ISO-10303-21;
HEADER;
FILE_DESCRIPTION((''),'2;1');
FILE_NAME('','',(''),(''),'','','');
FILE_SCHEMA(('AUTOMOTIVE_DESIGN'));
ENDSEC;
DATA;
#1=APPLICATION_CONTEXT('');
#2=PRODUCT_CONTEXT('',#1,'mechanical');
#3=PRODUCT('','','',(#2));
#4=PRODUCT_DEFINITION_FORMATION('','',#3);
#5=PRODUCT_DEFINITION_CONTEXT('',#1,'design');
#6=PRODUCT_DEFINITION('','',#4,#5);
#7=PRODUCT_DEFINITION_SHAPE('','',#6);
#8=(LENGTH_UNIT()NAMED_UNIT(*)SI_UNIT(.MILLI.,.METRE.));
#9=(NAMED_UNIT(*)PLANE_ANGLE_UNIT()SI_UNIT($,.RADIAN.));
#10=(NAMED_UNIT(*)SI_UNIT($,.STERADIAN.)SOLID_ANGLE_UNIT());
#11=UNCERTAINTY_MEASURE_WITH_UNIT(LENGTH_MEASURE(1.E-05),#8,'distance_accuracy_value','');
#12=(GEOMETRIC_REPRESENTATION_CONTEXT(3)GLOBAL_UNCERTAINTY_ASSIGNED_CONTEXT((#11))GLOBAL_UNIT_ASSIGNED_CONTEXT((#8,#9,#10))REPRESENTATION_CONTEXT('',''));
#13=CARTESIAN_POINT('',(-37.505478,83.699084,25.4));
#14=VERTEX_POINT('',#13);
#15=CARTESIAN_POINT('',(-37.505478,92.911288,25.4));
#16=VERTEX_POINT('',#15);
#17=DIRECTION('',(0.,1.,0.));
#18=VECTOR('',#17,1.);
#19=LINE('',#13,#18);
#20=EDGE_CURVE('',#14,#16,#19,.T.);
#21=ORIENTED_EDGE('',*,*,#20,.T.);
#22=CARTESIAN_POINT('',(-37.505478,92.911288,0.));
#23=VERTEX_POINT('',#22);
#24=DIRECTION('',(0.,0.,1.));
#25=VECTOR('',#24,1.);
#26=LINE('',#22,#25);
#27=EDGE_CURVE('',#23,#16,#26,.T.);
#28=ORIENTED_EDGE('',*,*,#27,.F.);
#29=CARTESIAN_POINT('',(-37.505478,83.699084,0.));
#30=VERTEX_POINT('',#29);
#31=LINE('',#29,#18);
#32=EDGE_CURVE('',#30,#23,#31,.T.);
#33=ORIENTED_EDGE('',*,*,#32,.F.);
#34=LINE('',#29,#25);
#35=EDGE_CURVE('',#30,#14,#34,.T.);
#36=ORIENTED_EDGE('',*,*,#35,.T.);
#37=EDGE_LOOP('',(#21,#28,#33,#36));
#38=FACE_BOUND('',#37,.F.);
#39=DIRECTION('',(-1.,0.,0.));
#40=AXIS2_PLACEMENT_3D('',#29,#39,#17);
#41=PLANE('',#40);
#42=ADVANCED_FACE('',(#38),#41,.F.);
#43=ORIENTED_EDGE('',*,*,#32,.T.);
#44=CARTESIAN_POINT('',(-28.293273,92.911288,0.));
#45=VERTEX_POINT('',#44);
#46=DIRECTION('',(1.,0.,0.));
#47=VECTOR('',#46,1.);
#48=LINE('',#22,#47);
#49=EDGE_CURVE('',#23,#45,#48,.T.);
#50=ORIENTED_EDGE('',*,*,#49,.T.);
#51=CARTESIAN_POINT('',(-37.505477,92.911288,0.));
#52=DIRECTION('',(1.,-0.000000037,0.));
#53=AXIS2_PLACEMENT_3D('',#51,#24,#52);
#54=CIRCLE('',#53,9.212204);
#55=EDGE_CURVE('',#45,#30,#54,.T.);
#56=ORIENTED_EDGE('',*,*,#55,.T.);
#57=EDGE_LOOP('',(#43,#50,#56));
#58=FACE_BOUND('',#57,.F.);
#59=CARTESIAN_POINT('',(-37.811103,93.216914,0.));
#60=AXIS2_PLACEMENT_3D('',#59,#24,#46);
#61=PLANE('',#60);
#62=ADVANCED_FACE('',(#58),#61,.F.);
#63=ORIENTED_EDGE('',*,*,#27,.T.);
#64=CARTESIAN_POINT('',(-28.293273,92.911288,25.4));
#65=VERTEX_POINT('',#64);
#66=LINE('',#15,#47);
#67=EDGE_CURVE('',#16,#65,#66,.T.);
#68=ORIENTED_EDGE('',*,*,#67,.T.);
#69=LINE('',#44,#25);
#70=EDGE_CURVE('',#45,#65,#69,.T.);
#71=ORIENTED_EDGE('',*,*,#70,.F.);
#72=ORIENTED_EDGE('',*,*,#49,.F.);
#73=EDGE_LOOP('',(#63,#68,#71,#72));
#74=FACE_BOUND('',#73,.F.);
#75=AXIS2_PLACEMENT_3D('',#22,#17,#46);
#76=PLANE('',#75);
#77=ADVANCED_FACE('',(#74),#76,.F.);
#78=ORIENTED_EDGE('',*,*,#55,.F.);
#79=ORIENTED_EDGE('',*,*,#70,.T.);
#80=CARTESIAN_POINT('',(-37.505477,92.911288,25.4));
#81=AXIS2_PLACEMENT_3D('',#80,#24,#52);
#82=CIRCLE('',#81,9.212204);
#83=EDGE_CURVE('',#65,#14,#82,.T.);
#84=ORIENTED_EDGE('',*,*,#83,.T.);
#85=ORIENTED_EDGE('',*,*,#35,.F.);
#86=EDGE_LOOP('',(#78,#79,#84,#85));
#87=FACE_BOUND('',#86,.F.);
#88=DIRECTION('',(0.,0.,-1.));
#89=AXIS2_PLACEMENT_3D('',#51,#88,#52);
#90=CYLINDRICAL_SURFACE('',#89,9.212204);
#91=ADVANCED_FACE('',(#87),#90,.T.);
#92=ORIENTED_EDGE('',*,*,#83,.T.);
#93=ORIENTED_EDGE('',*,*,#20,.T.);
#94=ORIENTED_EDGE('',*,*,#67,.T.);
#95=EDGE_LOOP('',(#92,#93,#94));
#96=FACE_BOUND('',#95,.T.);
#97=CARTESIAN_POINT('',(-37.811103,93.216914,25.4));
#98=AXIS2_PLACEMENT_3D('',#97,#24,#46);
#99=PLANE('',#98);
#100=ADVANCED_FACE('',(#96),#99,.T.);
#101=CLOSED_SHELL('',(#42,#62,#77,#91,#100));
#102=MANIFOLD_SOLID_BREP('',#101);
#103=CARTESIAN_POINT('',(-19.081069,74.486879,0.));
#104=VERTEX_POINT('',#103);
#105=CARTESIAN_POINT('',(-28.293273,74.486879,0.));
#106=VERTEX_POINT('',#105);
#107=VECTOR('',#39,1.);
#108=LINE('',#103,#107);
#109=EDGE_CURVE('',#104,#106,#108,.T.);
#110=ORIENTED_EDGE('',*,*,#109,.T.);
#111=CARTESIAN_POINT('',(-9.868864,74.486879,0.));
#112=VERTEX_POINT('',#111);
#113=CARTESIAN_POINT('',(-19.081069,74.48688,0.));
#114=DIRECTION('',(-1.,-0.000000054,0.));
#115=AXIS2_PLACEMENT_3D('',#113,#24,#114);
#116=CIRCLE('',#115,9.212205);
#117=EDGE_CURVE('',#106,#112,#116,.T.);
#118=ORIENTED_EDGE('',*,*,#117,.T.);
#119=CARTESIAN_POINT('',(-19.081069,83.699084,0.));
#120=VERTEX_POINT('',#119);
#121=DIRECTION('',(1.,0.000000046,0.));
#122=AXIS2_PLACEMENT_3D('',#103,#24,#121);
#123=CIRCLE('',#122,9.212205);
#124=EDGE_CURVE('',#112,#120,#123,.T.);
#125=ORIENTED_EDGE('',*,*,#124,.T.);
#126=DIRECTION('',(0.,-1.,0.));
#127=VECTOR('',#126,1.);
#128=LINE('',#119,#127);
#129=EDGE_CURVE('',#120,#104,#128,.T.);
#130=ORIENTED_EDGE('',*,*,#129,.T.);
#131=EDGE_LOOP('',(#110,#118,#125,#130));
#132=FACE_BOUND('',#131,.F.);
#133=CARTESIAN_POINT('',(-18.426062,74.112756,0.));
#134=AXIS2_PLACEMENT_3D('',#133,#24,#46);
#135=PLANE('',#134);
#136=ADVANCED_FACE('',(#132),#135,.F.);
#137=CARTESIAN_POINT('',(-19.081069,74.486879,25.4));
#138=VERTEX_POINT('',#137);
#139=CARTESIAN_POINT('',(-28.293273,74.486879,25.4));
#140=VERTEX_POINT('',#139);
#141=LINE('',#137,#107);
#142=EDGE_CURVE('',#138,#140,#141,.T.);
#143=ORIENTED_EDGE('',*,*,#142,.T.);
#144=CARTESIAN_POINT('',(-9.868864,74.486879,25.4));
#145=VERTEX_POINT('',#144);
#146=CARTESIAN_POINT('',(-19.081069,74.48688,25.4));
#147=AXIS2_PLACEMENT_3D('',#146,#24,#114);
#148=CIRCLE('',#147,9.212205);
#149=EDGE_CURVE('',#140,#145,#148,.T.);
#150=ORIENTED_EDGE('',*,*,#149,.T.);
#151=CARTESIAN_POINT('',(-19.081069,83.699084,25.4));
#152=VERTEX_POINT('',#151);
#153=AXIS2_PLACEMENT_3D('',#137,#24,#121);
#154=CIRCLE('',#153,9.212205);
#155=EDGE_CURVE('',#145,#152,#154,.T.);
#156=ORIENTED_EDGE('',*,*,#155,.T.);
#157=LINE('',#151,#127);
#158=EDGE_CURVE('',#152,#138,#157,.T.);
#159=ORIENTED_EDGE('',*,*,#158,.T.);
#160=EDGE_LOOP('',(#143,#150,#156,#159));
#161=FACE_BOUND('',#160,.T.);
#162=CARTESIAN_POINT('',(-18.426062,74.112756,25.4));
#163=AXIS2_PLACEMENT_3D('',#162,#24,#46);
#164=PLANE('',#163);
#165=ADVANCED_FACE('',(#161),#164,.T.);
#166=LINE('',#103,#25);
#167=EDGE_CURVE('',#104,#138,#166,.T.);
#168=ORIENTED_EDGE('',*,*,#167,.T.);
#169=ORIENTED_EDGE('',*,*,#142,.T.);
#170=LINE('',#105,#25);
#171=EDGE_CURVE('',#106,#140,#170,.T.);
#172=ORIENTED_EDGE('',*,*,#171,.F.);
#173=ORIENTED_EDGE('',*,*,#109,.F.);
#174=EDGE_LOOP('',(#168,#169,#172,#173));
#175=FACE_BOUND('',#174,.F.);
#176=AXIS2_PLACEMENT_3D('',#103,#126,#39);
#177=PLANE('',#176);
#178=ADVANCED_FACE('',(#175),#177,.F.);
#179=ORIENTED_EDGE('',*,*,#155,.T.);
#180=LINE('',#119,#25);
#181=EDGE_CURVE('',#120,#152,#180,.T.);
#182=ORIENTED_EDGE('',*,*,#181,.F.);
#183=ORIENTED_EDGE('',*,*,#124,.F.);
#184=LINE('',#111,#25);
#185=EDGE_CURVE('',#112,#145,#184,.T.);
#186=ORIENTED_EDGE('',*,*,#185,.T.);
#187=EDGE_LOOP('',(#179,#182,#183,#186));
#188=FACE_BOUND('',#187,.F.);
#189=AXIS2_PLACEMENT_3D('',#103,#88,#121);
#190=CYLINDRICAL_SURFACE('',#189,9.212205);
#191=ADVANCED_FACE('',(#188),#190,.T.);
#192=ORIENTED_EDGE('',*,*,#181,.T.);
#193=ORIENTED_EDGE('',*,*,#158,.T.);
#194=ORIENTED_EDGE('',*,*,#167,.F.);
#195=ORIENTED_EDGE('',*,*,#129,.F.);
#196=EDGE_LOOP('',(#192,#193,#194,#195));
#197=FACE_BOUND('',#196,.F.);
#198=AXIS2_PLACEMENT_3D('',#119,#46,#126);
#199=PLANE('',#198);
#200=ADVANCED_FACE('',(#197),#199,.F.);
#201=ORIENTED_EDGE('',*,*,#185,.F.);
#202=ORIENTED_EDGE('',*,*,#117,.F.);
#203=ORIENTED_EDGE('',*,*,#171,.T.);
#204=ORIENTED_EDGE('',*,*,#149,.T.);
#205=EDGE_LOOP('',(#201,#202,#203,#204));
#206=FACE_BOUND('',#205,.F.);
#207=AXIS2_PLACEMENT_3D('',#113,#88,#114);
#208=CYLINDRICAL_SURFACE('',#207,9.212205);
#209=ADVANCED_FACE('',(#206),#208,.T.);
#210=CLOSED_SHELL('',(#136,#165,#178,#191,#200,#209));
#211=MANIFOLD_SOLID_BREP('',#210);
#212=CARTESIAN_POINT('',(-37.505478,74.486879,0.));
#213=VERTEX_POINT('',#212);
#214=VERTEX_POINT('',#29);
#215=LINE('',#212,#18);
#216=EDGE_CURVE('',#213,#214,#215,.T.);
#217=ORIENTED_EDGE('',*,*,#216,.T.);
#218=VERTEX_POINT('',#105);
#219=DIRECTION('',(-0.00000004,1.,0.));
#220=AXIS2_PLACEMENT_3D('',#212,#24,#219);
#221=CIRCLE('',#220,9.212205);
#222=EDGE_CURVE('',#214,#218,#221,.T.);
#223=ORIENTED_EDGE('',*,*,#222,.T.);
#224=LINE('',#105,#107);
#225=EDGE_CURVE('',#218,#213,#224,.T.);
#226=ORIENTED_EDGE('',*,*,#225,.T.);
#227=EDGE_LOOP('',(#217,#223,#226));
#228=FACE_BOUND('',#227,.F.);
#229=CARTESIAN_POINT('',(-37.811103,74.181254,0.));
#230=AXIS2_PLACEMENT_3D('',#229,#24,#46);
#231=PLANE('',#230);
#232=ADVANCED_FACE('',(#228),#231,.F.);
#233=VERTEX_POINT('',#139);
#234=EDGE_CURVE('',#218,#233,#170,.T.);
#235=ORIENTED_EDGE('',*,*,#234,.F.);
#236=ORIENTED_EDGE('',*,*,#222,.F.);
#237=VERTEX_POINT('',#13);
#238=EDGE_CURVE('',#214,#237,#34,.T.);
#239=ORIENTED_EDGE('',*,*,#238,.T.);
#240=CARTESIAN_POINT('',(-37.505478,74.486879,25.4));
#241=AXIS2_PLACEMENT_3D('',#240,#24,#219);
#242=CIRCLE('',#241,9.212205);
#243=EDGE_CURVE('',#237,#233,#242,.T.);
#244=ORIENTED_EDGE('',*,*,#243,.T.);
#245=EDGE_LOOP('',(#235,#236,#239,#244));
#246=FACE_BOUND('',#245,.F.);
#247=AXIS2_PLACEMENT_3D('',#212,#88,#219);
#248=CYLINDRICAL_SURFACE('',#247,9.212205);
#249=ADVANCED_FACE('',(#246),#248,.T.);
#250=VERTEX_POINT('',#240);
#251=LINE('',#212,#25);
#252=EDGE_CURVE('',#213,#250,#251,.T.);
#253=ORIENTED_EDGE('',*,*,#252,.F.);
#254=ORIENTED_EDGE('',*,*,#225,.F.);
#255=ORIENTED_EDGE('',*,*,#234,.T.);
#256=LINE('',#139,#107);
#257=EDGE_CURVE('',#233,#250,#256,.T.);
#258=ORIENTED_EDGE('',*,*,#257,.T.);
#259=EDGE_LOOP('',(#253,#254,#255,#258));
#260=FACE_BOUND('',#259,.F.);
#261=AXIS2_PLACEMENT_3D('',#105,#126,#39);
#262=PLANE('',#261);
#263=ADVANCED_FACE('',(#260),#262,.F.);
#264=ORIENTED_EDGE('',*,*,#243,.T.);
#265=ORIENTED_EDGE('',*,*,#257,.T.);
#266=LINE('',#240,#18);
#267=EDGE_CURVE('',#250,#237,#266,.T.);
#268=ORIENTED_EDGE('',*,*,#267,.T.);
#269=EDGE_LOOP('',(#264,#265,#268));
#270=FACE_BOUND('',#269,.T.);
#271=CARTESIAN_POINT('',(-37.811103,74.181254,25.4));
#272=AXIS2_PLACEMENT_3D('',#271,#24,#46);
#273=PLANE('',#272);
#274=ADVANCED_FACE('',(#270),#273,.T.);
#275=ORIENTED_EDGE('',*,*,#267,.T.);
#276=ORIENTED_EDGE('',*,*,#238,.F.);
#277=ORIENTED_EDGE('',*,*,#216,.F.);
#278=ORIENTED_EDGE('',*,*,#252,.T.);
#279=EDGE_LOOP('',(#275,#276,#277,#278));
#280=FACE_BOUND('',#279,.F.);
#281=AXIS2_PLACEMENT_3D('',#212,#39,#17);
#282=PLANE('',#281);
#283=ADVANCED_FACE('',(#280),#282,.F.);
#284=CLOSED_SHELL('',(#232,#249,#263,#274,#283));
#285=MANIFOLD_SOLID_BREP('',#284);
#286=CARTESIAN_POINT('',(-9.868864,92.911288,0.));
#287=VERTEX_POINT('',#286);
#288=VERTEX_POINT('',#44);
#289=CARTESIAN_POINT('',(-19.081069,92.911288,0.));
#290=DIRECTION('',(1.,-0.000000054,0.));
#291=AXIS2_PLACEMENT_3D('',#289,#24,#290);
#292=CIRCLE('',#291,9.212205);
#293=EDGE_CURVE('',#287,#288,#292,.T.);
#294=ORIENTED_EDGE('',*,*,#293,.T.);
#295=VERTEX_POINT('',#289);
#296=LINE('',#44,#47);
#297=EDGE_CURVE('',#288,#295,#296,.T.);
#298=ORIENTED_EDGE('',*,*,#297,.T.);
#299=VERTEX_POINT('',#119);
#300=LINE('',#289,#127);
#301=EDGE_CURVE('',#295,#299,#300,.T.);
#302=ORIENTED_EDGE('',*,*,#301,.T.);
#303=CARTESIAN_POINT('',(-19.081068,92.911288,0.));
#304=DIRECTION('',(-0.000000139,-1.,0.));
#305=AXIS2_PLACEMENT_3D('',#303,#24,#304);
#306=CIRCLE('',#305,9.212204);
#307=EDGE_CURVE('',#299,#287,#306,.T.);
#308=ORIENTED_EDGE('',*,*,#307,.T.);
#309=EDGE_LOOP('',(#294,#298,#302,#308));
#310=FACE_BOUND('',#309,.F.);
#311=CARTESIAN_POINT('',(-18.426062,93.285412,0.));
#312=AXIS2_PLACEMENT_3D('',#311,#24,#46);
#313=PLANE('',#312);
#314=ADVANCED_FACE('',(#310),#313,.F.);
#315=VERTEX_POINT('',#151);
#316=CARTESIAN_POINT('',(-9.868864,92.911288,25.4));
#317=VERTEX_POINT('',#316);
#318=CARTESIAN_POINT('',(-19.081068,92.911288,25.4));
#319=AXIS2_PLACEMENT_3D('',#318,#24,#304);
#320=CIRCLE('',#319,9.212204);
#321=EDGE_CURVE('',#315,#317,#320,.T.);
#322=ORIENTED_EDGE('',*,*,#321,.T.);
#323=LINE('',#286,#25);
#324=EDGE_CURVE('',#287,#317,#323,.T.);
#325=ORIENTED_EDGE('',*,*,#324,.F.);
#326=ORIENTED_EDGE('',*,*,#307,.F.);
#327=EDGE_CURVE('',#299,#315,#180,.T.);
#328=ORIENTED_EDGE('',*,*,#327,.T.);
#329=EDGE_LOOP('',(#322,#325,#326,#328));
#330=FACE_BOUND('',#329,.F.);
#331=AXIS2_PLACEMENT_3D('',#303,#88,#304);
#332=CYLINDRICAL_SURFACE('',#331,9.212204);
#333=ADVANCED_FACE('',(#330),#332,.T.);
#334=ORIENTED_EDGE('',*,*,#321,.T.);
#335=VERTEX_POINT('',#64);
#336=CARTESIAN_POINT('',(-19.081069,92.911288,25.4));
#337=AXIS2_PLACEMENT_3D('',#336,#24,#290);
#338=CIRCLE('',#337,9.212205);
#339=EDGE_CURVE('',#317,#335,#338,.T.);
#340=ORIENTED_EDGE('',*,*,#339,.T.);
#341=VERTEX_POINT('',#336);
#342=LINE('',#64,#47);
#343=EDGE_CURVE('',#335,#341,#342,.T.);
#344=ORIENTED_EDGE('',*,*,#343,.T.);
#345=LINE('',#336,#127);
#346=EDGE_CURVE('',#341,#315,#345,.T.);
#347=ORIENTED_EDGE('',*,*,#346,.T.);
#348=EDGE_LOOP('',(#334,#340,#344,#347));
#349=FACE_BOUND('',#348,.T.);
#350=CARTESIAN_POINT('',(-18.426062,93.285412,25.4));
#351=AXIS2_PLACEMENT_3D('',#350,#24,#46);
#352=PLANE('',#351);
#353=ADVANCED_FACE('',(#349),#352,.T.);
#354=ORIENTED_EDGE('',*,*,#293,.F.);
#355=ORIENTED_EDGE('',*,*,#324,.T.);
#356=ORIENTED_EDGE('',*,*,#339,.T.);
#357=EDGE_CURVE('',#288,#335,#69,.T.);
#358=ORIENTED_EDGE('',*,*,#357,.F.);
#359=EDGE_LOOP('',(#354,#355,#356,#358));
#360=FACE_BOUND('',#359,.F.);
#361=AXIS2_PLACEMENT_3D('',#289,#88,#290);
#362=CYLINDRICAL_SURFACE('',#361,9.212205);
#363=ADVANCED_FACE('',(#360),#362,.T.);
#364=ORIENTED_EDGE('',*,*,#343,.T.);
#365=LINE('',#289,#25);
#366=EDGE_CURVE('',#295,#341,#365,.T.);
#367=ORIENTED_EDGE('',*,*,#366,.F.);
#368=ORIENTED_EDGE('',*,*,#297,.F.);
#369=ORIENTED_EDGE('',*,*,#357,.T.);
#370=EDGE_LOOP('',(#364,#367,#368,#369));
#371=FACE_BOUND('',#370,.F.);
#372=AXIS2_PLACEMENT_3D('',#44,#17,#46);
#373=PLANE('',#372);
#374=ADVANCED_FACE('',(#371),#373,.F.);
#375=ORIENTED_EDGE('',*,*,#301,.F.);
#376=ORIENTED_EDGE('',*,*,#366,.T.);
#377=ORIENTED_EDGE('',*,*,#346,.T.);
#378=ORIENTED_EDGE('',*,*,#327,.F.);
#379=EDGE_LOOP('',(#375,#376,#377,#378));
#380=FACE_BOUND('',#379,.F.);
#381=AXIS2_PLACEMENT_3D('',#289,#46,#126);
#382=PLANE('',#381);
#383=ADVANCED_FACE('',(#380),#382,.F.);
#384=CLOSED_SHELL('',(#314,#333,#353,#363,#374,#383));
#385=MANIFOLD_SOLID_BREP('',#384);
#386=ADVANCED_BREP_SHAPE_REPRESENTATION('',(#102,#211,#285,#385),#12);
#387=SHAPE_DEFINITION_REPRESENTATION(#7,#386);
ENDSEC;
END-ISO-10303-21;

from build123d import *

# Parameters (mm, degrees)
F1_DEPTH = 25.4


with BuildPart() as f1:
    # F0 (on Top) → F1 (new body)
    with BuildSketch(Plane.XY):
        with BuildLine():
            ThreePointArc((-28.293273, 92.911288), (-44.01949, 99.4253), (-37.505478, 83.699084))
            Line((-37.505478, 83.699084), (-37.505478, 92.911288))
            Line((-37.505478, 92.911288), (-28.293273, 92.911288))
        make_face()
        with BuildLine():
            Line((-19.081069, 92.911288), (-19.081069, 83.699084))
            ThreePointArc((-19.081069, 83.699084), (-12.567056, 86.397276), (-9.868864, 92.911288))
            ThreePointArc((-9.868864, 92.911288), (-19.081069, 102.123493), (-28.293273, 92.911288))
            Line((-28.293273, 92.911288), (-19.081069, 92.911288))
        make_face()
        with BuildLine():
            Line((-19.081069, 74.486879), (-28.293273, 74.486879))
            ThreePointArc((-28.293273, 74.486879), (-19.081069, 65.274675), (-9.868864, 74.486879))
            ThreePointArc((-9.868864, 74.486879), (-12.567056, 81.000891), (-19.081069, 83.699084))
            Line((-19.081069, 83.699084), (-19.081069, 74.486879))
        make_face()
        with BuildLine():
            Line((-28.293273, 74.486879), (-37.505478, 74.486879))
            Line((-37.505478, 74.486879), (-37.505478, 83.699084))
            ThreePointArc((-37.505478, 83.699084), (-44.01949, 67.972867), (-28.293273, 74.486879))
        make_face()
    extrude(amount=F1_DEPTH)


solid = f1.part
